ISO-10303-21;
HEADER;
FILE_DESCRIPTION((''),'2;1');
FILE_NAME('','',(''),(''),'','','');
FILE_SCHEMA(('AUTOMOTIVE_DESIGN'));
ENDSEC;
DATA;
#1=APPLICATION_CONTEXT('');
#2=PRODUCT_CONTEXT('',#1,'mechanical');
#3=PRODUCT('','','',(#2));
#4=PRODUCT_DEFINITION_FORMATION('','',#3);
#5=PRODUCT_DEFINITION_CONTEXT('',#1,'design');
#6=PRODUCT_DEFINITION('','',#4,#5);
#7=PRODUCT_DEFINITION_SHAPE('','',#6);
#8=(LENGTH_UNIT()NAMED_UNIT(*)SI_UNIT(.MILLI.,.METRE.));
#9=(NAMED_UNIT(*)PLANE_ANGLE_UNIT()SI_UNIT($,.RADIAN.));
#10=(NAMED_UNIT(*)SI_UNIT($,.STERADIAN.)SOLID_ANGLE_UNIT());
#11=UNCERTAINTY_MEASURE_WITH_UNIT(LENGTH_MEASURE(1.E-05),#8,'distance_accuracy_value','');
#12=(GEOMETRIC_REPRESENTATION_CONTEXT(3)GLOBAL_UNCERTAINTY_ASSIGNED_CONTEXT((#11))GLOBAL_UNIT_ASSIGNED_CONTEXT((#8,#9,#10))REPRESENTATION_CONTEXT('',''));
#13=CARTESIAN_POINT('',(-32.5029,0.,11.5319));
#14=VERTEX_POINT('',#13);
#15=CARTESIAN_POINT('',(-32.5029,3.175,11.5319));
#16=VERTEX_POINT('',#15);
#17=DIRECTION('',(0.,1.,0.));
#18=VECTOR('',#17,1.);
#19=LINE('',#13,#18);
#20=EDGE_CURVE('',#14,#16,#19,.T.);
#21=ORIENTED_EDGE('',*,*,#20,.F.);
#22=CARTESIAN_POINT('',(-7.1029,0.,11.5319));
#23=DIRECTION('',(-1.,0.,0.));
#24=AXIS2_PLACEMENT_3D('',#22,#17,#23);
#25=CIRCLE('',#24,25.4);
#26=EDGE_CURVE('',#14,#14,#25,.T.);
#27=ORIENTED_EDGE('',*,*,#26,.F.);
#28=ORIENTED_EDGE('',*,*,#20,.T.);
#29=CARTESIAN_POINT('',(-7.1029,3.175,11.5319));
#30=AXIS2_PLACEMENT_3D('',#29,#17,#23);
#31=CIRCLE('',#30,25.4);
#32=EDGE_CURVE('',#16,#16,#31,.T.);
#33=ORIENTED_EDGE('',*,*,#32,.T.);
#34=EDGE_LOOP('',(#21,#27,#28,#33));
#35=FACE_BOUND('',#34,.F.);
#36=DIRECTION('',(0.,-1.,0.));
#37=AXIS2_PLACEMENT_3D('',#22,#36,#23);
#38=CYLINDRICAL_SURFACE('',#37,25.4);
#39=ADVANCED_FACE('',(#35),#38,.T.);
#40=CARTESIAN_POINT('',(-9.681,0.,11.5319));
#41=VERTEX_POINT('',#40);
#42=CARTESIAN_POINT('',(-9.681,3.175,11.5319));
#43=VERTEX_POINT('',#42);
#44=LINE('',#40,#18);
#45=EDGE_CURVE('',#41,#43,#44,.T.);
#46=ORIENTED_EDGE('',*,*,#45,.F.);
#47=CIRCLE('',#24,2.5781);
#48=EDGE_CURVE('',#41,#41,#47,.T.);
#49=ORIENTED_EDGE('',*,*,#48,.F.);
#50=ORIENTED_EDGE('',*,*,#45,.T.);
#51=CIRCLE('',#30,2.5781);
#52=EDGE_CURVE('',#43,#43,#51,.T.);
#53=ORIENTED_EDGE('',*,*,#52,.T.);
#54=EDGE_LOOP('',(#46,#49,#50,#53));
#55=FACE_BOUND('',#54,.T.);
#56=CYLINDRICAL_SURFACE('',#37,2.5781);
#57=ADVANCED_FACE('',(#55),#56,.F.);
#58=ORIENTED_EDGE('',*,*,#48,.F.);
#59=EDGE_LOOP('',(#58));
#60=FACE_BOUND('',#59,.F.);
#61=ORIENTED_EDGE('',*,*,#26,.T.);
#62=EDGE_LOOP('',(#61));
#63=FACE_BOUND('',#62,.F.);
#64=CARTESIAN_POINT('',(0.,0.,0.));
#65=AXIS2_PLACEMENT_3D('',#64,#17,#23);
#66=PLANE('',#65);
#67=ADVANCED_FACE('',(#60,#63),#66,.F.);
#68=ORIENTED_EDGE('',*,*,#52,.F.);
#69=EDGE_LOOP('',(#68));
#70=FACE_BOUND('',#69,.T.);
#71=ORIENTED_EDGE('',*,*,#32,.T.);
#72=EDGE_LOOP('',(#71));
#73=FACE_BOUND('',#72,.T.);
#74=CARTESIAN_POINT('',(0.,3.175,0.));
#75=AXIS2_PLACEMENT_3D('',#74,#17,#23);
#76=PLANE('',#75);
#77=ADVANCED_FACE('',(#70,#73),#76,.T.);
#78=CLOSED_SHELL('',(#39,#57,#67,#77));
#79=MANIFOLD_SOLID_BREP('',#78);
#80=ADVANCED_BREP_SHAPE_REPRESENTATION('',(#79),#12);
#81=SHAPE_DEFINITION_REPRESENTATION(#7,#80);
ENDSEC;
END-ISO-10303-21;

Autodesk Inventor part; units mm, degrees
ref_plane "YZ Plane" through (0, 0, 0) normal (1, 0, 0) x (0, 1, 0)
ref_plane "XZ Plane" through (0, 0, 0) normal (0, 1, 0) x (-1, 0, 0)
ref_plane "XY Plane" through (0, 0, 0) normal (0, 0, 1) x (1, 0, 0)
sketch "Sketch1" plane through (0, 0, 0) normal (0, 1, 0) x (-1, 0, 0)
  circle A0 centre (7.1029, 11.5319) radius 25.4
  circle A1 centre (7.1029, 11.5319) radius 2.5781
  point P0 (0, 0)
  dimension "d0" = 50.8
  dimension "d1" = 22.8219
extrude "Extrusion1" add sketch "Sketch1" along normal blind 3.175
properties part number "Custom Washer H_1-8in IND_13-64in OUTD_2in"
